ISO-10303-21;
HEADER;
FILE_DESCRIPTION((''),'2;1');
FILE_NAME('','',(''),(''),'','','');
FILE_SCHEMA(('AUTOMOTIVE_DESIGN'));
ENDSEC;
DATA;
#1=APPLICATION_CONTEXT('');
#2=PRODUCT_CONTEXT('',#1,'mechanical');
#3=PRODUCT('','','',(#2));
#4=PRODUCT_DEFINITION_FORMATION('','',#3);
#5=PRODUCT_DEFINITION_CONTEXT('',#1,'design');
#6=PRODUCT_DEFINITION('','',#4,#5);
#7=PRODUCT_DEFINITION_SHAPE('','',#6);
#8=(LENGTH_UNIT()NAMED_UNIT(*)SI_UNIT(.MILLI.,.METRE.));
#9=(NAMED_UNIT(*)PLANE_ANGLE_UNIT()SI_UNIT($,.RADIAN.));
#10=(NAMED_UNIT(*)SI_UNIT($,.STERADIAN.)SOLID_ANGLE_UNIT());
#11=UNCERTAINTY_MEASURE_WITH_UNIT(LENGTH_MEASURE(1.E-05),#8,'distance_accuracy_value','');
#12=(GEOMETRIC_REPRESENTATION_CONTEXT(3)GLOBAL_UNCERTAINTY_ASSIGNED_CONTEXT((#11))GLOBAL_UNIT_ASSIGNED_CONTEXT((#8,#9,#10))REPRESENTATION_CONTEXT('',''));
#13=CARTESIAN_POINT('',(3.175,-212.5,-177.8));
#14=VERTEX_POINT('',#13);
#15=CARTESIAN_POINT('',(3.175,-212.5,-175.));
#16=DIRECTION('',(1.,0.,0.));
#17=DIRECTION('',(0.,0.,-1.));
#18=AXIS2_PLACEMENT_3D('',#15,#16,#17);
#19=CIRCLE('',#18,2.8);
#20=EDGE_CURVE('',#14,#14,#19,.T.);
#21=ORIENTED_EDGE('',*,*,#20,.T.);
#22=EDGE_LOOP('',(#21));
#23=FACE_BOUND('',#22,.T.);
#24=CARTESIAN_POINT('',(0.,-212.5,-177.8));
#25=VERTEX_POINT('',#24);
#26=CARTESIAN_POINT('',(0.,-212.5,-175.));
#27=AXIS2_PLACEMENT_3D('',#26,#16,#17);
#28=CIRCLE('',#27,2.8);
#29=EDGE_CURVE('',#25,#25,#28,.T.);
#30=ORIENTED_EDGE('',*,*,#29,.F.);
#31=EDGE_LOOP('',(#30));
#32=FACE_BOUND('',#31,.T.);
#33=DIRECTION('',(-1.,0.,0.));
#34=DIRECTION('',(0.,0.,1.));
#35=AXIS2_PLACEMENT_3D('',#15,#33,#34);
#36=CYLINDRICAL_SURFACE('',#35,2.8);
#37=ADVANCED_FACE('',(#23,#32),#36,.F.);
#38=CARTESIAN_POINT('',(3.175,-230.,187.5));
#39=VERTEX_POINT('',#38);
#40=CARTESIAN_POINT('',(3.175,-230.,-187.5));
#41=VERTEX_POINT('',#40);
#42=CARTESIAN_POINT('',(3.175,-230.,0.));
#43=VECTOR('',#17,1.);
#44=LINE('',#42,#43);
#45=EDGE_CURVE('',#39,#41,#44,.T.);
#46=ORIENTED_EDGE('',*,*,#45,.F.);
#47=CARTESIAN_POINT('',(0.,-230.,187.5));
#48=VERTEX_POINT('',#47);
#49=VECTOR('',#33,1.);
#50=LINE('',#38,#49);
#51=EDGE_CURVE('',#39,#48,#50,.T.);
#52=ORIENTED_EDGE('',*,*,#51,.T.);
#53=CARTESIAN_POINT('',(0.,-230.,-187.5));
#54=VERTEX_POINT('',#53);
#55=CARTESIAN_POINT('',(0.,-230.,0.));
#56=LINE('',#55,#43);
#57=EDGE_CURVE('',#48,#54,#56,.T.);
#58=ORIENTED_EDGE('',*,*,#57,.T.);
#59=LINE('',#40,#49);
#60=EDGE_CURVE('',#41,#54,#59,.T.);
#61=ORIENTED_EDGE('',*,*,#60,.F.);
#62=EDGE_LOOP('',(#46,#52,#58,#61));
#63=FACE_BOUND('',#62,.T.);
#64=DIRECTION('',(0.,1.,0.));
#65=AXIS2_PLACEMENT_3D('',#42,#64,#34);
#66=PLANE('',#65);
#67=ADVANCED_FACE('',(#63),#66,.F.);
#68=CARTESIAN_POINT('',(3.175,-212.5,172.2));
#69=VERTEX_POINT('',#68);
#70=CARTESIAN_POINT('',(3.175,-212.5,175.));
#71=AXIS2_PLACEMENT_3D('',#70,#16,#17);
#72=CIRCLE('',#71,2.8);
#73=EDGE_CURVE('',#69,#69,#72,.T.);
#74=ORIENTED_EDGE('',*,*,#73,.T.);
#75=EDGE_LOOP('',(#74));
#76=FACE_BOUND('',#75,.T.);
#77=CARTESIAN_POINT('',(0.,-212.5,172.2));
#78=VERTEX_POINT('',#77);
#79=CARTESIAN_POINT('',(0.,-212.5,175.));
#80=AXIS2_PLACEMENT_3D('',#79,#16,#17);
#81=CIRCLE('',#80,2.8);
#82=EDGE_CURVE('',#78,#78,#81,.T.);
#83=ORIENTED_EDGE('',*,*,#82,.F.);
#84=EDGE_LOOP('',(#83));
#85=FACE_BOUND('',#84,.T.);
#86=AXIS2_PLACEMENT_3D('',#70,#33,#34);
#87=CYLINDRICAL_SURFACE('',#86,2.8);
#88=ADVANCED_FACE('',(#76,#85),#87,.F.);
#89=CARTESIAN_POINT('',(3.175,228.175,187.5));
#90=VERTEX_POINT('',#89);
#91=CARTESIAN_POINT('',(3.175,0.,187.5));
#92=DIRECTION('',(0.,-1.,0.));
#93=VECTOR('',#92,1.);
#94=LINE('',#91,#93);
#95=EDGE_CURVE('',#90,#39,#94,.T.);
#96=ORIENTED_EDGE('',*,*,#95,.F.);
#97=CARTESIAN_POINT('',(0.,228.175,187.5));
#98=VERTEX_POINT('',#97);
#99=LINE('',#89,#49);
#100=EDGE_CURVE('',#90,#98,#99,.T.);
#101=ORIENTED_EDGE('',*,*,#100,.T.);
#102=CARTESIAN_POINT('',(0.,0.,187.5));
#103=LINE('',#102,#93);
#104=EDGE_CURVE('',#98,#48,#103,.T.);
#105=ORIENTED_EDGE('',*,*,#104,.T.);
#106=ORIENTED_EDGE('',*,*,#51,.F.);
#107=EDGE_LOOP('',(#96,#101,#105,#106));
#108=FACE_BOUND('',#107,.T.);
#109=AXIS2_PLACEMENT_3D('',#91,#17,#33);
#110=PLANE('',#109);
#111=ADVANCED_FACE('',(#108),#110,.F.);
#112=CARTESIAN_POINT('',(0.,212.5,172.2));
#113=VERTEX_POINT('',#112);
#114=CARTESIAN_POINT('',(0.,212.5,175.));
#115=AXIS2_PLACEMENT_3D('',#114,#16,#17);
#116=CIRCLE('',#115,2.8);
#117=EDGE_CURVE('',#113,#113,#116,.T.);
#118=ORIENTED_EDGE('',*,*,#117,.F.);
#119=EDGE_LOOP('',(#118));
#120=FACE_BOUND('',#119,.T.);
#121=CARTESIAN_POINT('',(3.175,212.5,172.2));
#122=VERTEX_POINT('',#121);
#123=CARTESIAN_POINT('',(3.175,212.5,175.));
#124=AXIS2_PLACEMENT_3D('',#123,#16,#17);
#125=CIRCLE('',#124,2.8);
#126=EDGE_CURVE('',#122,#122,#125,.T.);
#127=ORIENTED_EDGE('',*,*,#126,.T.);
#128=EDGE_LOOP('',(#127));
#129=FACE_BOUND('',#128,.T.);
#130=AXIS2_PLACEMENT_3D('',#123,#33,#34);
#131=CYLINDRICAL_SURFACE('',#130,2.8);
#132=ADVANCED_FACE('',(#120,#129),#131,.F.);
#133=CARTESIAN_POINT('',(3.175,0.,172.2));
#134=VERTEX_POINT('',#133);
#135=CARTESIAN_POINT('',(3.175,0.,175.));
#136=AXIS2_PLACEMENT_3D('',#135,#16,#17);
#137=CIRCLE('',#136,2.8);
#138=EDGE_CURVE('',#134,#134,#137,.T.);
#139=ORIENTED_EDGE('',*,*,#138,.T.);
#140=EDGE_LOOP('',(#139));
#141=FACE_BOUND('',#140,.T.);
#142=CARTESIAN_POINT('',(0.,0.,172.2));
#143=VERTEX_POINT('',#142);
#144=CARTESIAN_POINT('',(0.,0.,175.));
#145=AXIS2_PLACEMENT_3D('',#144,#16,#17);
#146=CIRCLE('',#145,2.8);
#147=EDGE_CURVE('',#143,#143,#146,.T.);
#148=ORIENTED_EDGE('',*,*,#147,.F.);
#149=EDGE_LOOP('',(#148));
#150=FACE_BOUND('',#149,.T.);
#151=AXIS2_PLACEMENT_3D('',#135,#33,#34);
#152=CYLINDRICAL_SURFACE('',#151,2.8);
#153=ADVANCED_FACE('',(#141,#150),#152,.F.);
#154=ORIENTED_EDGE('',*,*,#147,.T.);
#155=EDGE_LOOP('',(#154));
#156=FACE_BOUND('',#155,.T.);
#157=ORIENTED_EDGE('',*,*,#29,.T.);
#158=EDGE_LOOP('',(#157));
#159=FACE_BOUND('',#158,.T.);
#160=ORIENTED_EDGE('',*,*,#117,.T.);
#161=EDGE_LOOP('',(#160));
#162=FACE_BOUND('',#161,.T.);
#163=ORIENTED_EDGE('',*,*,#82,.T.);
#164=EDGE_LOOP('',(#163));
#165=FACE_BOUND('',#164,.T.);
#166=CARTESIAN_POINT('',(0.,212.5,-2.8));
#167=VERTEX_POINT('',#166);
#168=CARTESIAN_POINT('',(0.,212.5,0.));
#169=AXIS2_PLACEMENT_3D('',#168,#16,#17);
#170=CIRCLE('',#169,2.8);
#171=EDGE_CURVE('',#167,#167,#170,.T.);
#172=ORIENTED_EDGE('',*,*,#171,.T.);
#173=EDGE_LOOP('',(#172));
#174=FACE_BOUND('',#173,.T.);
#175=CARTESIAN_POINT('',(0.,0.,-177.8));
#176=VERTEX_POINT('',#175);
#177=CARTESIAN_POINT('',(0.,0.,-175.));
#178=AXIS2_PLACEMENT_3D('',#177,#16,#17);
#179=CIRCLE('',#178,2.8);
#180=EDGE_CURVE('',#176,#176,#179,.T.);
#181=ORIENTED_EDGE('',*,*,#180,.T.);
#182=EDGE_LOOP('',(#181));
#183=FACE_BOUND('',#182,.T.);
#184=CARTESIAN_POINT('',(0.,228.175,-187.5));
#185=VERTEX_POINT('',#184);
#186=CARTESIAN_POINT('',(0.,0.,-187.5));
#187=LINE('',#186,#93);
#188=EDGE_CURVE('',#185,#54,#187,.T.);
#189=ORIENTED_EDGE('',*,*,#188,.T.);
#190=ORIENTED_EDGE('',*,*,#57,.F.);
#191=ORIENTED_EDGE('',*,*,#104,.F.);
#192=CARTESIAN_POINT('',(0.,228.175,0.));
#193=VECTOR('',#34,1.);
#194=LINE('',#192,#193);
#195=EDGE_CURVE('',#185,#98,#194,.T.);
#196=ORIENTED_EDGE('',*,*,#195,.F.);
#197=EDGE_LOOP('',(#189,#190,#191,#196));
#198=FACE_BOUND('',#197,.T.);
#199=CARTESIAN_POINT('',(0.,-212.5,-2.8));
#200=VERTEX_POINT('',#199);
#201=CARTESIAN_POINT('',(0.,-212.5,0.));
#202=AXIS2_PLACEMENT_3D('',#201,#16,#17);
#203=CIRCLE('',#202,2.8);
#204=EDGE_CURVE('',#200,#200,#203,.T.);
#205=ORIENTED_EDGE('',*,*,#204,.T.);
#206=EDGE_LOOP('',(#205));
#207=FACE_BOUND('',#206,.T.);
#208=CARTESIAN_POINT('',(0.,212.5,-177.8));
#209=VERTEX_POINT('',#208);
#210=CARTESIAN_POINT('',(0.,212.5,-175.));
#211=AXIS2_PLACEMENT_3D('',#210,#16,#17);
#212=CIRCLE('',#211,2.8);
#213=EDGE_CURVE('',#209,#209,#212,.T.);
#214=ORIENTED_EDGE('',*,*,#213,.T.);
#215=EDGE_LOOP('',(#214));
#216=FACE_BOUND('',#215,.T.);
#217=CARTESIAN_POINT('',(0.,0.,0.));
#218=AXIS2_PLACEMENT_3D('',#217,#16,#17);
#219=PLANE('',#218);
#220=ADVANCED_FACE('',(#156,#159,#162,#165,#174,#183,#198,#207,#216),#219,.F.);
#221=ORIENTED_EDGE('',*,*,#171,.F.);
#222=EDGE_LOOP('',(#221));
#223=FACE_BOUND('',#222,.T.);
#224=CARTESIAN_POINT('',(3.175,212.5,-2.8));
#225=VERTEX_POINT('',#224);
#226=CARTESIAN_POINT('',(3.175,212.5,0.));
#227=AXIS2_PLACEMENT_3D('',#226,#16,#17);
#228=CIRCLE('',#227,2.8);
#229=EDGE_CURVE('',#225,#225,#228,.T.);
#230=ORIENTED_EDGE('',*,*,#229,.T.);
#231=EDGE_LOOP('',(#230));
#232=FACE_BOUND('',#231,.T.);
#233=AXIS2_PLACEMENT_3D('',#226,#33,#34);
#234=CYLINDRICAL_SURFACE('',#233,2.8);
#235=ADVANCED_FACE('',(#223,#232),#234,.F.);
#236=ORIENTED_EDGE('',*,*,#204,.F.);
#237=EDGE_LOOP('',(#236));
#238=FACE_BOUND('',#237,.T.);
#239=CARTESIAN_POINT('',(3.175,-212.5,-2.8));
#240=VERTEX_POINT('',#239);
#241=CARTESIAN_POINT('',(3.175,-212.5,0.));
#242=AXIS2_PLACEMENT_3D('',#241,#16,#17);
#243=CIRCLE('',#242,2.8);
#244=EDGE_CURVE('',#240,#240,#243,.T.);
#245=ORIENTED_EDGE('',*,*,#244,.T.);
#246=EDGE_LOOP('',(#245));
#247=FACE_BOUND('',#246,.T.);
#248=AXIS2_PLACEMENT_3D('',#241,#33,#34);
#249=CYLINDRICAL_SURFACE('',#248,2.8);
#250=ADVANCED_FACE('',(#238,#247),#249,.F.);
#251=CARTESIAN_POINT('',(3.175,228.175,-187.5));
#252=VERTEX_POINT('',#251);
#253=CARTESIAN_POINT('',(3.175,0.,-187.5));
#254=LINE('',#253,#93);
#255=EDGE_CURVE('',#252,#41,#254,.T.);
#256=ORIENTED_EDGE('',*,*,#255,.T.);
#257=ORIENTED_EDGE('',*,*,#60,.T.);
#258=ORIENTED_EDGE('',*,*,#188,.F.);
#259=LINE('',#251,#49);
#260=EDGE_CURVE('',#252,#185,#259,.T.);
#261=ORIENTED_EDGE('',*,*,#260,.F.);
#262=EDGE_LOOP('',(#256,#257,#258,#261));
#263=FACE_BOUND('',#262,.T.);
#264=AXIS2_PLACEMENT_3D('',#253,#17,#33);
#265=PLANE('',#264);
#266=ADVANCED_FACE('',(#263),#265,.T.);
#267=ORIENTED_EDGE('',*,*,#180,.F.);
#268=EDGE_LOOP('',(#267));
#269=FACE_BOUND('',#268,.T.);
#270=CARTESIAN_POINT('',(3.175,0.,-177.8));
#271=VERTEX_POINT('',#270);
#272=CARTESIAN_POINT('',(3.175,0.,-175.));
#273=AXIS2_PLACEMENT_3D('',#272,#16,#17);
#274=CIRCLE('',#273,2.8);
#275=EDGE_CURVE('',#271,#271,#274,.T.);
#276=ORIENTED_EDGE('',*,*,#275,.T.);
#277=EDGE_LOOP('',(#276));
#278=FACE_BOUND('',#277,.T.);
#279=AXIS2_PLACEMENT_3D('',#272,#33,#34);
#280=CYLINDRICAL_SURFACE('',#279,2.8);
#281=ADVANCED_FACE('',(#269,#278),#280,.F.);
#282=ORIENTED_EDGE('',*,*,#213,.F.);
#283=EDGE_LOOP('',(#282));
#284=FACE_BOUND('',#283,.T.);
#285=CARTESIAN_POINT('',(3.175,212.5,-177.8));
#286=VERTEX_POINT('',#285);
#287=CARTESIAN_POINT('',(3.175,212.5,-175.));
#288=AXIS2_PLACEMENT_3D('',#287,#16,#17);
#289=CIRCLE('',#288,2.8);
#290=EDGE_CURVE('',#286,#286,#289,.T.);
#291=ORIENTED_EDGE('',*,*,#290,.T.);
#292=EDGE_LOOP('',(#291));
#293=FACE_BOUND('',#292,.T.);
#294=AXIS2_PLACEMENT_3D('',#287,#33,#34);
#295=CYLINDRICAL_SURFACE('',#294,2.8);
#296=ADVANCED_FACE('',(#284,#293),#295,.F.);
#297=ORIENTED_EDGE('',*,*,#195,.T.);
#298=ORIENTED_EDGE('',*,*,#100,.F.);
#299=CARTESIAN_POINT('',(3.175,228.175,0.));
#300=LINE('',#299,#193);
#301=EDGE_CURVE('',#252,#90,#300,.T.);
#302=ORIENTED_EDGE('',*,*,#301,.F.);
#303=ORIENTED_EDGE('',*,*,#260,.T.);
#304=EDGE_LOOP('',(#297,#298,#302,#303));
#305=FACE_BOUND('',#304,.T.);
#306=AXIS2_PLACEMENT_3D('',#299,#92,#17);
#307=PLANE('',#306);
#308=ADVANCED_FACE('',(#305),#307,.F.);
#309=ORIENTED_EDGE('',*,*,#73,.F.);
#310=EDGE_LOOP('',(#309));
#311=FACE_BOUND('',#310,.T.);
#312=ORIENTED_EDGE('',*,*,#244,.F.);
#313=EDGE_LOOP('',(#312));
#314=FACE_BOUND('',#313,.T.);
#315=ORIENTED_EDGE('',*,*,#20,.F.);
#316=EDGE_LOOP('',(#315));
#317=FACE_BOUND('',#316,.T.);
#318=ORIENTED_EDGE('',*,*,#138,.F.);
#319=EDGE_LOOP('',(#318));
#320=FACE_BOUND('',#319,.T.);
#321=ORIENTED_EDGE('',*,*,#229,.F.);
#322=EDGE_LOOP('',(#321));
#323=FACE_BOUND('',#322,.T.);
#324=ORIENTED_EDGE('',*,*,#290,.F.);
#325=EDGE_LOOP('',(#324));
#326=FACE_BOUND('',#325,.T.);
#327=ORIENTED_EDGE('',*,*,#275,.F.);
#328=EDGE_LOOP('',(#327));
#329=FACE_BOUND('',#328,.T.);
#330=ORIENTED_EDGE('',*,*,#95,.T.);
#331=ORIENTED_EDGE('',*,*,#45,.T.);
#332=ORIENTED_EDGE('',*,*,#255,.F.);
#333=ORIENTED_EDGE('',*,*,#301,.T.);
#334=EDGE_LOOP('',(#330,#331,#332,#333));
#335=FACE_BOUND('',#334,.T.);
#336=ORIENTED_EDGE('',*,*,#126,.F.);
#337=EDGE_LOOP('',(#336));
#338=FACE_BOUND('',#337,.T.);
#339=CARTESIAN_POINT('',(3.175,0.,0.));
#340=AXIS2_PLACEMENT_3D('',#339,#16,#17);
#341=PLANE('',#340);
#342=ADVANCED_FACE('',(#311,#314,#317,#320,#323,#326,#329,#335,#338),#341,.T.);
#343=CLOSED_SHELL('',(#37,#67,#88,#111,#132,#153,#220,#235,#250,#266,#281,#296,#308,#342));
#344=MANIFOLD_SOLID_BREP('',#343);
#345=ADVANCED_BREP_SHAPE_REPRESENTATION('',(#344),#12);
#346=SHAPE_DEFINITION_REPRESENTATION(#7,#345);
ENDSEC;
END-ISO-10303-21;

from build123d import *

# Parameters (mm, degrees)
SKETCH1_W           = 5
SKETCH1_H           = 375
SKETCH1_W_2         = 450
SKETCH1_R           = 2.8
SKETCH1_W_3         = 3.175
BOSS_EXTRUDE1_DEPTH = 3.175


with BuildPart() as part:
    # Sketch1 → Boss-Extrude1 (new body)
    # profile 1 of 3: a face of its own
    with BuildSketch(Plane.YZ):
        with Locations((-227.5, 0)):
            Rectangle(SKETCH1_W, SKETCH1_H)
    # profile 2 of 3: a face of its own
    with BuildSketch(Plane.YZ):
        Rectangle(SKETCH1_W_2, SKETCH1_H)
        with Locations(Location((-212.5, 0, 0), (0, 0, 270))):
            Circle(SKETCH1_R, mode=Mode.SUBTRACT)
        with Locations(Location((212.5, 0, 0), (0, 0, 270))):
            Circle(SKETCH1_R, mode=Mode.SUBTRACT)
        with Locations(Location((0, 175, 0), (0, 0, 270))):
            Circle(SKETCH1_R, mode=Mode.SUBTRACT)
        with Locations(Location((0, -175, 0), (0, 0, 270))):
            Circle(SKETCH1_R, mode=Mode.SUBTRACT)
        with Locations(Location((-212.5, -175, 0), (0, 0, 270))):
            Circle(SKETCH1_R, mode=Mode.SUBTRACT)
        with Locations(Location((212.5, -175, 0), (0, 0, 270))):
            Circle(SKETCH1_R, mode=Mode.SUBTRACT)
        with Locations(Location((212.5, 175, 0), (0, 0, 270))):
            Circle(SKETCH1_R, mode=Mode.SUBTRACT)
        with Locations(Location((-212.5, 175, 0), (0, 0, 270))):
            Circle(SKETCH1_R, mode=Mode.SUBTRACT)
    # profile 3 of 3: a face of its own
    with BuildSketch(Plane.YZ):
        with Locations((226.5875, 0)):
            Rectangle(SKETCH1_W_3, SKETCH1_H)
    extrude(amount=BOSS_EXTRUDE1_DEPTH)


solid = part.part
